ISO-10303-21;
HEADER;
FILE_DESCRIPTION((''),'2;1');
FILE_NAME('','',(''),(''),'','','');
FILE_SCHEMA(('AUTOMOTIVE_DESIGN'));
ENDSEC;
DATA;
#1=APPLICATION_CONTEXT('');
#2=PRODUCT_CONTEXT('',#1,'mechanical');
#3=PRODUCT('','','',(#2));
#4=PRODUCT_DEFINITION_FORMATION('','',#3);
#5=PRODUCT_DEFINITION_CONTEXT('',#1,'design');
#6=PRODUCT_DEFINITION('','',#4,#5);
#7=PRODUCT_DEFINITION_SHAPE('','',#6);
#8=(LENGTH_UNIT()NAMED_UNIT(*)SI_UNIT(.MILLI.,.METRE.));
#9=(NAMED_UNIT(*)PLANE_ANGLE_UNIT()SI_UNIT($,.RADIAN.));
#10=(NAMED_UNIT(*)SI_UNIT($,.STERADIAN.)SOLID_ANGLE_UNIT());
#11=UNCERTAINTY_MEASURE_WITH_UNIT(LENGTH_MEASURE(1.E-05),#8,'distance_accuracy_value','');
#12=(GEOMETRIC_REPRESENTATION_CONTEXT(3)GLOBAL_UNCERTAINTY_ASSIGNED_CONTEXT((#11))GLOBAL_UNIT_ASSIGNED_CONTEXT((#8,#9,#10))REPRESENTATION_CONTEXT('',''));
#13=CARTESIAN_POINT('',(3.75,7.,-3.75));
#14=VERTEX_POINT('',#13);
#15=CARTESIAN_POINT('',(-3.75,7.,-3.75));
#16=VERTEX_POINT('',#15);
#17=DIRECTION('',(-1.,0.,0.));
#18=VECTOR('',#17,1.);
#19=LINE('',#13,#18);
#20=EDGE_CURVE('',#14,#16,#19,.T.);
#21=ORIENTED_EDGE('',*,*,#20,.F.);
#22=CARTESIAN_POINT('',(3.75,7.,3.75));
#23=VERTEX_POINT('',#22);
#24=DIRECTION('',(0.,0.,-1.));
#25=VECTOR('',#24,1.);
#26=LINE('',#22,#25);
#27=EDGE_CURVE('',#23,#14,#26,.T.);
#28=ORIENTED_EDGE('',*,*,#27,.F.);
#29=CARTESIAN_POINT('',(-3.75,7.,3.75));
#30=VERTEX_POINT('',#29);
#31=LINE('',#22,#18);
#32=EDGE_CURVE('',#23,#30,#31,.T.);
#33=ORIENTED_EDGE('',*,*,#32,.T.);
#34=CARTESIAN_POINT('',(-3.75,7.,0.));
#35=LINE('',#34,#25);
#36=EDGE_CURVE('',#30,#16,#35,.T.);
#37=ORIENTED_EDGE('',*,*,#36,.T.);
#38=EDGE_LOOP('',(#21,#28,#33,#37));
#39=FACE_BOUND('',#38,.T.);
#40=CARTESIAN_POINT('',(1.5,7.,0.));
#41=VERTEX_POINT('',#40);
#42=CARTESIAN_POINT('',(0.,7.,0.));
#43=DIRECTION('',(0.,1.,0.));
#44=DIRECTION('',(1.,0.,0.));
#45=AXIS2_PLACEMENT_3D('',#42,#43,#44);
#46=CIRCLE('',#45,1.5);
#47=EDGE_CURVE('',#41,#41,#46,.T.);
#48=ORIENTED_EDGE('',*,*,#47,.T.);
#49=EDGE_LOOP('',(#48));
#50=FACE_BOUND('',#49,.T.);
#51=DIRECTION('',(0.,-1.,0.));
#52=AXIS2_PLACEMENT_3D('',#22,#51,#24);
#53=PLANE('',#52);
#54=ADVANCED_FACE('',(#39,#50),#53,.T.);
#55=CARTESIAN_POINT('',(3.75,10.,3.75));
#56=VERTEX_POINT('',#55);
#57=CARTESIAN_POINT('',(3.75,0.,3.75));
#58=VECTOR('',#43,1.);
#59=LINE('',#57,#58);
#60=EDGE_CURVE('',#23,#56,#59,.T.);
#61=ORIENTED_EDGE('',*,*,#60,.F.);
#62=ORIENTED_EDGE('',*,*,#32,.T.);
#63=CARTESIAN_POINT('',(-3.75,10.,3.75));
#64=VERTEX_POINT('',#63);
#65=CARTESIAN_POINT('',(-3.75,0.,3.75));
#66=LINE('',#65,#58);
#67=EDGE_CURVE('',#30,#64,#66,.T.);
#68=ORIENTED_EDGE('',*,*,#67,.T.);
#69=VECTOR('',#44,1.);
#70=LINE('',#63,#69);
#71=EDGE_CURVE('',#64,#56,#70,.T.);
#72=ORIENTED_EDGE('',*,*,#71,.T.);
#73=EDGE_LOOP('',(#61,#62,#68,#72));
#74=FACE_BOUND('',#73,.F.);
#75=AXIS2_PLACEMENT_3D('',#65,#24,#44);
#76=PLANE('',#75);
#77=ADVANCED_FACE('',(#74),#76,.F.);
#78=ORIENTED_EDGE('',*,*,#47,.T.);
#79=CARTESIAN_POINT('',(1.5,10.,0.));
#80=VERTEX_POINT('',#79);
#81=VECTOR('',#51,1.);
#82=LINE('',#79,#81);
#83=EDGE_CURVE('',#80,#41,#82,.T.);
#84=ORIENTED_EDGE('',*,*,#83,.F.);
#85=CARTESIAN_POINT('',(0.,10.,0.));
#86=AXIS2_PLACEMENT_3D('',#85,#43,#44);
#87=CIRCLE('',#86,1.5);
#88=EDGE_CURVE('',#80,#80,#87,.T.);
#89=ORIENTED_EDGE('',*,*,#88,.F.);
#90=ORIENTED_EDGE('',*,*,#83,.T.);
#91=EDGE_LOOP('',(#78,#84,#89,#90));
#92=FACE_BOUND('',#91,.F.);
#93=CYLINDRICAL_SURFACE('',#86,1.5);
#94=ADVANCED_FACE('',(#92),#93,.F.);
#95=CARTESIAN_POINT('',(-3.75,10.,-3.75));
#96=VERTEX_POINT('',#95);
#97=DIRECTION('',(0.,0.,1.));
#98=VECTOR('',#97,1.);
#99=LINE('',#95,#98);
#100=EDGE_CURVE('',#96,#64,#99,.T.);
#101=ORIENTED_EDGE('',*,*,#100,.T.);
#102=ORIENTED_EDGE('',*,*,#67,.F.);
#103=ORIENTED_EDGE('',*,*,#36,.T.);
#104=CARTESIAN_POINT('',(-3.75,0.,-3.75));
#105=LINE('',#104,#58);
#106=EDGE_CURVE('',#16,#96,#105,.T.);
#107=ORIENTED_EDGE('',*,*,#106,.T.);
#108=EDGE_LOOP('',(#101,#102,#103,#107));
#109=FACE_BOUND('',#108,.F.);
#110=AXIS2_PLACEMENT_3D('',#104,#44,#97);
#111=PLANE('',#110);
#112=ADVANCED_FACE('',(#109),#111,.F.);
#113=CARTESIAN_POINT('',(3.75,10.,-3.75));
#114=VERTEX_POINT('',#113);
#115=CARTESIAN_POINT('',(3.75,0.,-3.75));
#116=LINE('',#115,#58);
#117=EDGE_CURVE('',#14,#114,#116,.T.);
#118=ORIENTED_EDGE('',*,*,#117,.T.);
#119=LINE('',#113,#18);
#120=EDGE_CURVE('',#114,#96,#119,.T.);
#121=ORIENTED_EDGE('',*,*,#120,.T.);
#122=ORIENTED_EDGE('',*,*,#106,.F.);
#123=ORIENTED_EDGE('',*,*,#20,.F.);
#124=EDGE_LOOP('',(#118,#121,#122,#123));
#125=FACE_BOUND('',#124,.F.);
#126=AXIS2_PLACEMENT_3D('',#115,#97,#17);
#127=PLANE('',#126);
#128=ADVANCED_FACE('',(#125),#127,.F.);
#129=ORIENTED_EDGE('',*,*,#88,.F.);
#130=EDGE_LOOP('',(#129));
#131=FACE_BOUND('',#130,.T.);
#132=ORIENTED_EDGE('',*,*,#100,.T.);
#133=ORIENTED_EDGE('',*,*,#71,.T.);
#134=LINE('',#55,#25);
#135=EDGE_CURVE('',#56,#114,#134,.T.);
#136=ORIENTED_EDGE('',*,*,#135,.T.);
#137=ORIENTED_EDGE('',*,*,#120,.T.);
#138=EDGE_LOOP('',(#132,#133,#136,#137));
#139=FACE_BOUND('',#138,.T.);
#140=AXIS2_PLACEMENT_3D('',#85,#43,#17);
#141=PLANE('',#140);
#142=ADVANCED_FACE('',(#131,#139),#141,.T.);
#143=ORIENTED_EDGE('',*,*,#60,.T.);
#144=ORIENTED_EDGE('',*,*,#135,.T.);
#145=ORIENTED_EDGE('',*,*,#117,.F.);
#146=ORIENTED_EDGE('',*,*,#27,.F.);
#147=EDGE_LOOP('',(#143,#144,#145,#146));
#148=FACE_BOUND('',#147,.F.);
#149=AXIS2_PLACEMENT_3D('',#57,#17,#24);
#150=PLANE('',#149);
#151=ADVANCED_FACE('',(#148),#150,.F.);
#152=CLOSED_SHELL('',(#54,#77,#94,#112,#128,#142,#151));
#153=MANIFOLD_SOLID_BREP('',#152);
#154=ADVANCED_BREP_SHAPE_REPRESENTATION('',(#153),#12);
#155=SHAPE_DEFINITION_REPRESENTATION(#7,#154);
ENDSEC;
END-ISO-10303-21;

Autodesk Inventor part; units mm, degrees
ref_plane "YZ Plane" through (0, 0, 0) normal (1, 0, 0) x (0, 1, 0)
ref_plane "XZ Plane" through (0, 0, 0) normal (0, 1, 0) x (-1, 0, 0)
ref_plane "XY Plane" through (0, 0, 0) normal (0, 0, 1) x (1, 0, 0)
sketch "Sketch6" plane through (0, 0, 0) normal (0, 1, 0) x (-1, 0, 0)
  line L0 (-3.75, -3.75) -> (3.75, -3.75)
  line L1 (3.75, -3.75) -> (3.75, 3.75)
  line L2 (3.75, 3.75) -> (-3.75, 3.75)
  line L3 (-3.75, 3.75) -> (-3.75, -3.75)
  line L4 (-3.75, -3.75) -> (3.75, 3.75) construction
  line L5 (3.75, -3.75) -> (-3.75, 3.75) construction
  point P0 (0, 0)
  dimension "d4" = 7.5
  dimension "d5" = 7.5
extrude "Extrusion2" add sketch "Sketch6" along normal blind 10
sketch "Sketch7" plane through (3.75, 0, 3.75) normal (1, 0, 0) x (0, 0, -1)
  line L0 (7.5, 0) -> (0, 0) projected
  line L1 (0, 0) -> (7.5, 0)
  line L2 (0, 0) -> (0, 7)
  line L3 (0, 7) -> (7.5, 7)
  line L4 (7.5, 7) -> (7.5, 0)
  line L5 (7.5, 0) -> (0, 0)
  line L6 (0, 0) -> (0, 10) projected
  line L7 (7.5, 0) -> (7.5, 10) projected
  point P0 (3.75, 0)
  dimension "d9" = 7
  dimension "d19" = 0
  dimension "d20" = 0
extrude "Extrusion3" cut sketch "Sketch7" against normal blind 9.05
sketch "Sketch8" plane through (0, 10, 0) normal (0, 1, 0) x (1, 0, 0)
  circle A0 centre (0, 0) radius 1.5
  dimension "d13" = 3
extrude "Extrusion4" cut sketch "Sketch8" against normal blind 5.2375
properties part number "Holder"
